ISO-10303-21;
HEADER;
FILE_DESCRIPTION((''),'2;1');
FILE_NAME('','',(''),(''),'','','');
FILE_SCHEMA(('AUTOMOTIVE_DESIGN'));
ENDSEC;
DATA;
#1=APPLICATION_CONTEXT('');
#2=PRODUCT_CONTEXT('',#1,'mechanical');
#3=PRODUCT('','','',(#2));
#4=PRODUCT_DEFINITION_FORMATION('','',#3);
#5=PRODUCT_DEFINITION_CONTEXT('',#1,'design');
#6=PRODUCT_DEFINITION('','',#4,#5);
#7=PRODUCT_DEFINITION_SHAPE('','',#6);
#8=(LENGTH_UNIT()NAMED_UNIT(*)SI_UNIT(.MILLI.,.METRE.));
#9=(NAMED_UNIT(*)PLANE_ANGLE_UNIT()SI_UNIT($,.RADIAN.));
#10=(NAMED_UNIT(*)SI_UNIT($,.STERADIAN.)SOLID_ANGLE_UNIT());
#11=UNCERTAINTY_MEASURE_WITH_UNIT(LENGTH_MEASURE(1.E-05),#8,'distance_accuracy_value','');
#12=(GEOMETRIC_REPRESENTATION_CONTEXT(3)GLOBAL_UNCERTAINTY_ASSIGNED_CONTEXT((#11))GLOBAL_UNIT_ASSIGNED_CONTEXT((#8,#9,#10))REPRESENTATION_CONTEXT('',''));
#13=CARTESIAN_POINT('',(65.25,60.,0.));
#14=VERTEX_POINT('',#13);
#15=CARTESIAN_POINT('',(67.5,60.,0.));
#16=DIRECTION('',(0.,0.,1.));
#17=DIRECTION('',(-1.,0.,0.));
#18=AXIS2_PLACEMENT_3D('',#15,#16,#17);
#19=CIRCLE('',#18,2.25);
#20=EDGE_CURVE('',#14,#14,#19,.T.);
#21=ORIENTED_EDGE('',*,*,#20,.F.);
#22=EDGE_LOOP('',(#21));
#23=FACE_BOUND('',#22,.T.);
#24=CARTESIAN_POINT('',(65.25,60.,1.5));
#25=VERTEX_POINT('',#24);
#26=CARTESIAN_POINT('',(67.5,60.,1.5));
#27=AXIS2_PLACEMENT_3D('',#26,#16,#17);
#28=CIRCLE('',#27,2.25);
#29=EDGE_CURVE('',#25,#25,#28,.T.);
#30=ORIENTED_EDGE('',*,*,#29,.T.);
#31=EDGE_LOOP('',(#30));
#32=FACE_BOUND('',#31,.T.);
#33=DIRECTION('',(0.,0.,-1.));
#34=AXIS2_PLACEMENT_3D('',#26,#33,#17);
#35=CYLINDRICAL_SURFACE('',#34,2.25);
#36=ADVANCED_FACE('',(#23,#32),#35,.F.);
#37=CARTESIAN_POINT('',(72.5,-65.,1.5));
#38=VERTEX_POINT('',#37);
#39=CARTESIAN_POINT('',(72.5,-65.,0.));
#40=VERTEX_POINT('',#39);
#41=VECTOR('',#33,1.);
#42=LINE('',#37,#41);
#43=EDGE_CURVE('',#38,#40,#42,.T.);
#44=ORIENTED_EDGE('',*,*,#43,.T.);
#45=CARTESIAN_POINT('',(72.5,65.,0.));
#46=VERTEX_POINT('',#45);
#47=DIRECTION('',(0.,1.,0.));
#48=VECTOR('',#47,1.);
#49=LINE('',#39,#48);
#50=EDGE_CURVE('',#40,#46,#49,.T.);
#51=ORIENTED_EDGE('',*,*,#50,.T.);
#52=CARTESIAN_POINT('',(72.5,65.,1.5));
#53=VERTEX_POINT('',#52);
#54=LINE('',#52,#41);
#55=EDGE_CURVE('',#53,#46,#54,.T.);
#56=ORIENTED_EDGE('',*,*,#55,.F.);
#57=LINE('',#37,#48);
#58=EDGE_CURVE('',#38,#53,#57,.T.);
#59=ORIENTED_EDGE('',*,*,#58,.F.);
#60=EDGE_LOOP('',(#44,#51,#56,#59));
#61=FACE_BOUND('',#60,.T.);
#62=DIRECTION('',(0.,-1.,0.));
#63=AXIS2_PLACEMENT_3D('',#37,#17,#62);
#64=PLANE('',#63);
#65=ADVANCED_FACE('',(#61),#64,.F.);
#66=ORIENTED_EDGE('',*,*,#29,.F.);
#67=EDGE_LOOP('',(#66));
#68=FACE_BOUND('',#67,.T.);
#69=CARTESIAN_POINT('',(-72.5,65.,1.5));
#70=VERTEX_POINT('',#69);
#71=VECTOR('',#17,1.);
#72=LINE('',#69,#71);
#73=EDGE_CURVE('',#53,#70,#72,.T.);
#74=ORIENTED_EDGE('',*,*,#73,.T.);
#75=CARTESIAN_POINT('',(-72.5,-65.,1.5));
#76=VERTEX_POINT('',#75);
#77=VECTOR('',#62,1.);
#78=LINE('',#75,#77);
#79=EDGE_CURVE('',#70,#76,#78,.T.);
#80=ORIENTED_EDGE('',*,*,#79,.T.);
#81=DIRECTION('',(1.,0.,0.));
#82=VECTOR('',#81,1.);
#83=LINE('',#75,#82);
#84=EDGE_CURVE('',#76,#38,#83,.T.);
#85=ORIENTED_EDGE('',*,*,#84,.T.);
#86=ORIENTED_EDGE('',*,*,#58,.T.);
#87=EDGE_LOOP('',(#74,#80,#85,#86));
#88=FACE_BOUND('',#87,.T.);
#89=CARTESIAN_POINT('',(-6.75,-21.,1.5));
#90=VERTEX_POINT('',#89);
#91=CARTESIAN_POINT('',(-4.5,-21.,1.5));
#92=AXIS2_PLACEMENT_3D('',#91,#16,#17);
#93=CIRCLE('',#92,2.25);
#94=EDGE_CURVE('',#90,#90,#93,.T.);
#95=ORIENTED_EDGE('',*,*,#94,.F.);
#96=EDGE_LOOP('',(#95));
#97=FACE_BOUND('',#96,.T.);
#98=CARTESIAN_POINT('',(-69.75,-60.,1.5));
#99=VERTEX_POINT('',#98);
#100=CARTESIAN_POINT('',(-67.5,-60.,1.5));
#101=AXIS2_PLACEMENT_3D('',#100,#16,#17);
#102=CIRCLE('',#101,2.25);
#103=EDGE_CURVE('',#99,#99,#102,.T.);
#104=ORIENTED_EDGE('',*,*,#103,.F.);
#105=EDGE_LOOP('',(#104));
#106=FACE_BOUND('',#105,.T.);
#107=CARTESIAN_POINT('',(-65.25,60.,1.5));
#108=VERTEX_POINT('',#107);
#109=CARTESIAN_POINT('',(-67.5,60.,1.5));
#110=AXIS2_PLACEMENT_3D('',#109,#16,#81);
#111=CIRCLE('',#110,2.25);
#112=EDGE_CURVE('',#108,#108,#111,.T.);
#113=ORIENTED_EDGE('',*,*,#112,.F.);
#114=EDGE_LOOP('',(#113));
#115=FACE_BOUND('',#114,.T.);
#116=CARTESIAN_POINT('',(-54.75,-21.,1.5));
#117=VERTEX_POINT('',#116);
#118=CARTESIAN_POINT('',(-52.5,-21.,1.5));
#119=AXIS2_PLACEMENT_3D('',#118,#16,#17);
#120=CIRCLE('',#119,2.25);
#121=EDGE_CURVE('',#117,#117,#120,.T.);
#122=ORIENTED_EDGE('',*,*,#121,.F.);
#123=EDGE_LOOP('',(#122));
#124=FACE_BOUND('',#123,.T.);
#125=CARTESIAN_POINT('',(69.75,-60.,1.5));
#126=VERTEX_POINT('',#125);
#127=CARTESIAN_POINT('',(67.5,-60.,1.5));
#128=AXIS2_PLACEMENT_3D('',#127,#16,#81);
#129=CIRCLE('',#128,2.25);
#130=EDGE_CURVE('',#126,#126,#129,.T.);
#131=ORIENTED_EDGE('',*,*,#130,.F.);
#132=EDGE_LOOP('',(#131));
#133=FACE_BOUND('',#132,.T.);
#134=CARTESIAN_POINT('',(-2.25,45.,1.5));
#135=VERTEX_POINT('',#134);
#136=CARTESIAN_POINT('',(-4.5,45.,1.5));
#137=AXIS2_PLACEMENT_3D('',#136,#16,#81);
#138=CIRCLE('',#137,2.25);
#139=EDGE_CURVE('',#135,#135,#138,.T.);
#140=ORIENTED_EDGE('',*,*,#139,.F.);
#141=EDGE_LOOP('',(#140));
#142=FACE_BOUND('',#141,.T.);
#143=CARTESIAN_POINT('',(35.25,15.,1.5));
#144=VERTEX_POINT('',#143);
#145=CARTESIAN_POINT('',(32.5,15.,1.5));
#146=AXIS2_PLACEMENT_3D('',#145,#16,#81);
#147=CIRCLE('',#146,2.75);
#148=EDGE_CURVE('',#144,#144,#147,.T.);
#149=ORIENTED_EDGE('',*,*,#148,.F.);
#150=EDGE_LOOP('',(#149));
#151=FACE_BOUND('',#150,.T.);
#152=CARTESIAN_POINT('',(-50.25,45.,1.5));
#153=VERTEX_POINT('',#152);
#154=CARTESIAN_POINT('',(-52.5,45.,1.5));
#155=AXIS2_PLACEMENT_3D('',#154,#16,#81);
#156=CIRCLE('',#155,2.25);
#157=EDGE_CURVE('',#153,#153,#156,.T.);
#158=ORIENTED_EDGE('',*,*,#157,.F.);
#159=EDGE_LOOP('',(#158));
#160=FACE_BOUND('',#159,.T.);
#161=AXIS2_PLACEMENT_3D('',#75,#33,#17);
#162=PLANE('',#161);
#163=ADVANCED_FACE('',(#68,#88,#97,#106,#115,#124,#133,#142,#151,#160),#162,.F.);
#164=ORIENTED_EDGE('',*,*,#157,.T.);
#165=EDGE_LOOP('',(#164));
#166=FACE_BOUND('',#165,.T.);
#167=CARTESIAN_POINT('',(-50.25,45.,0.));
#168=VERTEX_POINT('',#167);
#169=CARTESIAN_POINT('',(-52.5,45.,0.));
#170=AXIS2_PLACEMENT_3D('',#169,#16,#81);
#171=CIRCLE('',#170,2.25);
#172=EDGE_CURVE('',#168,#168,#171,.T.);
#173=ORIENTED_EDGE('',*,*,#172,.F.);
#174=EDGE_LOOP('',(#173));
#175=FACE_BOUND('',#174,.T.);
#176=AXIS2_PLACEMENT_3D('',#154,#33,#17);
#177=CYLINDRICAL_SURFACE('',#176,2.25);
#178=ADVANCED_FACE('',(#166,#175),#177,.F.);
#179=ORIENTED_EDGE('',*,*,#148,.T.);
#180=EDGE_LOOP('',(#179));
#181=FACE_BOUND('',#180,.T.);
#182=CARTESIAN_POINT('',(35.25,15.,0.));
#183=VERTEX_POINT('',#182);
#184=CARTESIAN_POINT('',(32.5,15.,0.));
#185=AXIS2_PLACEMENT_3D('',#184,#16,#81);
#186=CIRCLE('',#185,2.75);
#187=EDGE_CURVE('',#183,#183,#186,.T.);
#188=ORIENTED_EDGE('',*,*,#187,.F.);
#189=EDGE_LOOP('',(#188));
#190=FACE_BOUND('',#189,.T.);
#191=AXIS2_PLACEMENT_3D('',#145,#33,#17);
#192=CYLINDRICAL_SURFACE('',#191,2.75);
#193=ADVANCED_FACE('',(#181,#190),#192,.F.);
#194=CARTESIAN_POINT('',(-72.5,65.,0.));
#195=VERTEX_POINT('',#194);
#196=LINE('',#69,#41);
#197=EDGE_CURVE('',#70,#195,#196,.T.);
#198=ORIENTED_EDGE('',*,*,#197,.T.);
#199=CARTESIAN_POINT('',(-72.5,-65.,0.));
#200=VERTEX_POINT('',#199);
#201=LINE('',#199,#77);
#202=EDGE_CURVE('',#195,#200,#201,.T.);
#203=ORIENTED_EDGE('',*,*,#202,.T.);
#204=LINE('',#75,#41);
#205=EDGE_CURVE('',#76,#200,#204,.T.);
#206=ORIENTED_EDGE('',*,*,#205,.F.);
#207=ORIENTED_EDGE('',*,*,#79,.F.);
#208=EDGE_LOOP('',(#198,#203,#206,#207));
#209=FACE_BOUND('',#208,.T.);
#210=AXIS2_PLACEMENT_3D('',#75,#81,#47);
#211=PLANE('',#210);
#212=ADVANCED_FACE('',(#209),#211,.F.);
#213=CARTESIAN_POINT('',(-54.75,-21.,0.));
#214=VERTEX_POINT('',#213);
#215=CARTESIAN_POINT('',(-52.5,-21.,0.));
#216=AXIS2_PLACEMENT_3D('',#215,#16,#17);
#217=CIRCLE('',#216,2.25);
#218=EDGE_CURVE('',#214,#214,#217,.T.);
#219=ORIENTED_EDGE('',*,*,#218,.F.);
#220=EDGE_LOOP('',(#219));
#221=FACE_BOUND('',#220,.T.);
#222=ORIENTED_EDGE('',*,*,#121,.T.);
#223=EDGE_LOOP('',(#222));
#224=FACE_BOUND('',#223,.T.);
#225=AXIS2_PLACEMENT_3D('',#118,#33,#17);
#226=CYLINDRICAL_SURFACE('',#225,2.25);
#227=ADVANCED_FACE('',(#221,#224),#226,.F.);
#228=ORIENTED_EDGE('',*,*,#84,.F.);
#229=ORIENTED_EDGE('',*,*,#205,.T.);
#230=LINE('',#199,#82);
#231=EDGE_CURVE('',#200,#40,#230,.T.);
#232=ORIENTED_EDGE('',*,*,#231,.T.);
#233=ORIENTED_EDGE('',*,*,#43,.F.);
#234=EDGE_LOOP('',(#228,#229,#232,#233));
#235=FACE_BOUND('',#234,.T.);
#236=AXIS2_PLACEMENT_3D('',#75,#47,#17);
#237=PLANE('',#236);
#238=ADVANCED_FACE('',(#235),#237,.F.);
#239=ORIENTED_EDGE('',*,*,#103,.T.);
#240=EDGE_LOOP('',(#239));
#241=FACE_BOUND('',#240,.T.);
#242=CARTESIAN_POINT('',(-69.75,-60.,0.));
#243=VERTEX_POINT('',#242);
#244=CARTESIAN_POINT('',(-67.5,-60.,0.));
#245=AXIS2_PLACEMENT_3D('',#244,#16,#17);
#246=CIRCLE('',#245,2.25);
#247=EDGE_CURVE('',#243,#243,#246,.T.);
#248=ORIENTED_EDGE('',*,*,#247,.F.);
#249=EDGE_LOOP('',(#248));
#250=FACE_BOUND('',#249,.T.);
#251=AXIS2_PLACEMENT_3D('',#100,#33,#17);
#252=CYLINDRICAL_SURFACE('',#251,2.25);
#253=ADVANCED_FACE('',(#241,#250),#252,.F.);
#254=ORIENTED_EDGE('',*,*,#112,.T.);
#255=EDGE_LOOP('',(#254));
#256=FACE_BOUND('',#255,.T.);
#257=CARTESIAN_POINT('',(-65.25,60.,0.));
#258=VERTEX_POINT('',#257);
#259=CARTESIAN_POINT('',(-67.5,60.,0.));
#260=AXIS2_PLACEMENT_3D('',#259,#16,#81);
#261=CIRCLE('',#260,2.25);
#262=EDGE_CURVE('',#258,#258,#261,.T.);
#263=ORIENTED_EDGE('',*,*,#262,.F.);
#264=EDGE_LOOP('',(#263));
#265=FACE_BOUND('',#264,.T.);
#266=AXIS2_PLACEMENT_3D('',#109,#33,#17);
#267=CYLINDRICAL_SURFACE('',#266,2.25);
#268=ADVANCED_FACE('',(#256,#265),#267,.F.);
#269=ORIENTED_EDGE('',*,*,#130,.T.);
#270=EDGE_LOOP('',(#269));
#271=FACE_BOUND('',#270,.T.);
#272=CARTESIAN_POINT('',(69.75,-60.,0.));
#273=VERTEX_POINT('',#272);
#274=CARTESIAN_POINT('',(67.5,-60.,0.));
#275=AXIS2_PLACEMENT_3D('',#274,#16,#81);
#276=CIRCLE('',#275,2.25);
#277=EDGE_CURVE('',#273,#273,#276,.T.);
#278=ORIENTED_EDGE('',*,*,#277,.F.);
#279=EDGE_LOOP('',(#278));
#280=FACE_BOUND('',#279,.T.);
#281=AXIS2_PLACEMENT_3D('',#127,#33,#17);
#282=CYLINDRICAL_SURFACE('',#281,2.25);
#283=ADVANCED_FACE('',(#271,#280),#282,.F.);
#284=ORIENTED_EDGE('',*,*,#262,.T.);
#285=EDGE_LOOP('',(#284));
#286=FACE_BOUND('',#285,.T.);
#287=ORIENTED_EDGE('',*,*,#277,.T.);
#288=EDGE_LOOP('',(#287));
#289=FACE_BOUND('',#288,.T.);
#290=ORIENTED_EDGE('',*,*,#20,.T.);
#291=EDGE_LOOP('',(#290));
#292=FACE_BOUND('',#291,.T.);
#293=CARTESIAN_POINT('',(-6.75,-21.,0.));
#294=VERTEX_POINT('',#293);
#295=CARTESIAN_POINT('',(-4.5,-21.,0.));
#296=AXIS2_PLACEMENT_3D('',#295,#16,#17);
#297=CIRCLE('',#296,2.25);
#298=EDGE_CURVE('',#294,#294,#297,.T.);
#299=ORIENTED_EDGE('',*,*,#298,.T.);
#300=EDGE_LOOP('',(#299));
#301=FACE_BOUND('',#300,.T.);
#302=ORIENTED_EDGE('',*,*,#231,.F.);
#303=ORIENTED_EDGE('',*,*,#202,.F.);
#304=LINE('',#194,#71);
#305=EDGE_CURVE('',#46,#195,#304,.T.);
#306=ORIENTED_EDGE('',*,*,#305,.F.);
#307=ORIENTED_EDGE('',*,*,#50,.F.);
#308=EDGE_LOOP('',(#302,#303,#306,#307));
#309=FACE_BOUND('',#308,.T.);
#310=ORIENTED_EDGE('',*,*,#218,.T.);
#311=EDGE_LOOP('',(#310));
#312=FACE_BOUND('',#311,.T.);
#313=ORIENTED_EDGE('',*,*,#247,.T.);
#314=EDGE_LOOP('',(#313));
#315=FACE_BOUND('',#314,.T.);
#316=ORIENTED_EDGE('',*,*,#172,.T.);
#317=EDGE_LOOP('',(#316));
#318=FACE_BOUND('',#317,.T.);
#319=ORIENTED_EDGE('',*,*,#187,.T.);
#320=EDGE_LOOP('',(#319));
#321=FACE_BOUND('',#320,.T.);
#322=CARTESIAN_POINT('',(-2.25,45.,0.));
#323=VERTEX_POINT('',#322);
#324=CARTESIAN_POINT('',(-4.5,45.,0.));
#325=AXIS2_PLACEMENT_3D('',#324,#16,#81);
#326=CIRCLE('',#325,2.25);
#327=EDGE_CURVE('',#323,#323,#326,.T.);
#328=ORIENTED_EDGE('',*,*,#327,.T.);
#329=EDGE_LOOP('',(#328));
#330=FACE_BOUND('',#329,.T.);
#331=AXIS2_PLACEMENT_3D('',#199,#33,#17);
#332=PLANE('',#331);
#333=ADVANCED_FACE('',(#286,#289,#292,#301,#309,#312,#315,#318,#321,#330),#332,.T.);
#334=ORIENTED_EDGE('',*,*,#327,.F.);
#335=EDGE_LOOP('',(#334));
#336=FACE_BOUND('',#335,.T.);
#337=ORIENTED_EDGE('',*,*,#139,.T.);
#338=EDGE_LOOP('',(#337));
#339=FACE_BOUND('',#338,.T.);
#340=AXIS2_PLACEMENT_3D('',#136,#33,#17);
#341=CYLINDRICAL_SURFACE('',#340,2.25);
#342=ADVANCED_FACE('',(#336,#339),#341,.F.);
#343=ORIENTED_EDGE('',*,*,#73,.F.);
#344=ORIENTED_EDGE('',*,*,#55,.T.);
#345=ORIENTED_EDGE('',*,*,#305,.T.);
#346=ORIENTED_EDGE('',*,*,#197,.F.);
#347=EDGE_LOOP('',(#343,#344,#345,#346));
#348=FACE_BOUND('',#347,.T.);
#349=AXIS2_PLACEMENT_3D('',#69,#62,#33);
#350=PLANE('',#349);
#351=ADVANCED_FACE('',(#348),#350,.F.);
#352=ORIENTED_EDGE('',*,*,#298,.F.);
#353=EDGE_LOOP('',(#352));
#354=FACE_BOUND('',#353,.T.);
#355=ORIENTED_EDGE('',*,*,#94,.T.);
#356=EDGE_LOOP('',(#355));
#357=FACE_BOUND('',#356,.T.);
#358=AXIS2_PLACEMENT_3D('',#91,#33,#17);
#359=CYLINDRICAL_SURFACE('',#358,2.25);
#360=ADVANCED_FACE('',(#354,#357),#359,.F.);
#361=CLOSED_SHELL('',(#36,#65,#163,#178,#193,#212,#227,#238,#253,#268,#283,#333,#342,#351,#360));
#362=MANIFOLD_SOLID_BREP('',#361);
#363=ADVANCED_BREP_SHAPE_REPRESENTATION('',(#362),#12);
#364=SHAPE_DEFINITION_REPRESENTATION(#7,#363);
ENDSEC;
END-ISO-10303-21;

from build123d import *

# Parameters (mm, degrees)
SKETCH_1_W      = 145
SKETCH_1_H      = 130
SKETCH_1_R      = 2.25
SKETCH_1_R_2    = 2.75
EXTRUDE_1_DEPTH = 1.5


with BuildPart() as part:
    # Эскиз1 → Вытянуть1 (new body)
    with BuildSketch(Plane.XY):
        Rectangle(SKETCH_1_W, SKETCH_1_H)
        with Locations((-67.5, 60)):
            Circle(SKETCH_1_R, mode=Mode.SUBTRACT)
        with Locations(Location((-67.5, -60, 0), (0, 0, 180))):
            Circle(SKETCH_1_R, mode=Mode.SUBTRACT)
        with Locations((67.5, -60)):
            Circle(SKETCH_1_R, mode=Mode.SUBTRACT)
        with Locations(Location((67.5, 60, 0), (0, 0, 180))):
            Circle(SKETCH_1_R, mode=Mode.SUBTRACT)
        with Locations((-52.5, 45)):
            Circle(SKETCH_1_R, mode=Mode.SUBTRACT)
        with Locations(Location((-52.5, -21, 0), (0, 0, 180))):
            Circle(SKETCH_1_R, mode=Mode.SUBTRACT)
        with Locations((-4.5, 45)):
            Circle(SKETCH_1_R, mode=Mode.SUBTRACT)
        with Locations(Location((-4.5, -21, 0), (0, 0, 180))):
            Circle(SKETCH_1_R, mode=Mode.SUBTRACT)
        with Locations((32.5, 15)):
            Circle(SKETCH_1_R_2, mode=Mode.SUBTRACT)
    extrude(amount=EXTRUDE_1_DEPTH)


solid = part.part
